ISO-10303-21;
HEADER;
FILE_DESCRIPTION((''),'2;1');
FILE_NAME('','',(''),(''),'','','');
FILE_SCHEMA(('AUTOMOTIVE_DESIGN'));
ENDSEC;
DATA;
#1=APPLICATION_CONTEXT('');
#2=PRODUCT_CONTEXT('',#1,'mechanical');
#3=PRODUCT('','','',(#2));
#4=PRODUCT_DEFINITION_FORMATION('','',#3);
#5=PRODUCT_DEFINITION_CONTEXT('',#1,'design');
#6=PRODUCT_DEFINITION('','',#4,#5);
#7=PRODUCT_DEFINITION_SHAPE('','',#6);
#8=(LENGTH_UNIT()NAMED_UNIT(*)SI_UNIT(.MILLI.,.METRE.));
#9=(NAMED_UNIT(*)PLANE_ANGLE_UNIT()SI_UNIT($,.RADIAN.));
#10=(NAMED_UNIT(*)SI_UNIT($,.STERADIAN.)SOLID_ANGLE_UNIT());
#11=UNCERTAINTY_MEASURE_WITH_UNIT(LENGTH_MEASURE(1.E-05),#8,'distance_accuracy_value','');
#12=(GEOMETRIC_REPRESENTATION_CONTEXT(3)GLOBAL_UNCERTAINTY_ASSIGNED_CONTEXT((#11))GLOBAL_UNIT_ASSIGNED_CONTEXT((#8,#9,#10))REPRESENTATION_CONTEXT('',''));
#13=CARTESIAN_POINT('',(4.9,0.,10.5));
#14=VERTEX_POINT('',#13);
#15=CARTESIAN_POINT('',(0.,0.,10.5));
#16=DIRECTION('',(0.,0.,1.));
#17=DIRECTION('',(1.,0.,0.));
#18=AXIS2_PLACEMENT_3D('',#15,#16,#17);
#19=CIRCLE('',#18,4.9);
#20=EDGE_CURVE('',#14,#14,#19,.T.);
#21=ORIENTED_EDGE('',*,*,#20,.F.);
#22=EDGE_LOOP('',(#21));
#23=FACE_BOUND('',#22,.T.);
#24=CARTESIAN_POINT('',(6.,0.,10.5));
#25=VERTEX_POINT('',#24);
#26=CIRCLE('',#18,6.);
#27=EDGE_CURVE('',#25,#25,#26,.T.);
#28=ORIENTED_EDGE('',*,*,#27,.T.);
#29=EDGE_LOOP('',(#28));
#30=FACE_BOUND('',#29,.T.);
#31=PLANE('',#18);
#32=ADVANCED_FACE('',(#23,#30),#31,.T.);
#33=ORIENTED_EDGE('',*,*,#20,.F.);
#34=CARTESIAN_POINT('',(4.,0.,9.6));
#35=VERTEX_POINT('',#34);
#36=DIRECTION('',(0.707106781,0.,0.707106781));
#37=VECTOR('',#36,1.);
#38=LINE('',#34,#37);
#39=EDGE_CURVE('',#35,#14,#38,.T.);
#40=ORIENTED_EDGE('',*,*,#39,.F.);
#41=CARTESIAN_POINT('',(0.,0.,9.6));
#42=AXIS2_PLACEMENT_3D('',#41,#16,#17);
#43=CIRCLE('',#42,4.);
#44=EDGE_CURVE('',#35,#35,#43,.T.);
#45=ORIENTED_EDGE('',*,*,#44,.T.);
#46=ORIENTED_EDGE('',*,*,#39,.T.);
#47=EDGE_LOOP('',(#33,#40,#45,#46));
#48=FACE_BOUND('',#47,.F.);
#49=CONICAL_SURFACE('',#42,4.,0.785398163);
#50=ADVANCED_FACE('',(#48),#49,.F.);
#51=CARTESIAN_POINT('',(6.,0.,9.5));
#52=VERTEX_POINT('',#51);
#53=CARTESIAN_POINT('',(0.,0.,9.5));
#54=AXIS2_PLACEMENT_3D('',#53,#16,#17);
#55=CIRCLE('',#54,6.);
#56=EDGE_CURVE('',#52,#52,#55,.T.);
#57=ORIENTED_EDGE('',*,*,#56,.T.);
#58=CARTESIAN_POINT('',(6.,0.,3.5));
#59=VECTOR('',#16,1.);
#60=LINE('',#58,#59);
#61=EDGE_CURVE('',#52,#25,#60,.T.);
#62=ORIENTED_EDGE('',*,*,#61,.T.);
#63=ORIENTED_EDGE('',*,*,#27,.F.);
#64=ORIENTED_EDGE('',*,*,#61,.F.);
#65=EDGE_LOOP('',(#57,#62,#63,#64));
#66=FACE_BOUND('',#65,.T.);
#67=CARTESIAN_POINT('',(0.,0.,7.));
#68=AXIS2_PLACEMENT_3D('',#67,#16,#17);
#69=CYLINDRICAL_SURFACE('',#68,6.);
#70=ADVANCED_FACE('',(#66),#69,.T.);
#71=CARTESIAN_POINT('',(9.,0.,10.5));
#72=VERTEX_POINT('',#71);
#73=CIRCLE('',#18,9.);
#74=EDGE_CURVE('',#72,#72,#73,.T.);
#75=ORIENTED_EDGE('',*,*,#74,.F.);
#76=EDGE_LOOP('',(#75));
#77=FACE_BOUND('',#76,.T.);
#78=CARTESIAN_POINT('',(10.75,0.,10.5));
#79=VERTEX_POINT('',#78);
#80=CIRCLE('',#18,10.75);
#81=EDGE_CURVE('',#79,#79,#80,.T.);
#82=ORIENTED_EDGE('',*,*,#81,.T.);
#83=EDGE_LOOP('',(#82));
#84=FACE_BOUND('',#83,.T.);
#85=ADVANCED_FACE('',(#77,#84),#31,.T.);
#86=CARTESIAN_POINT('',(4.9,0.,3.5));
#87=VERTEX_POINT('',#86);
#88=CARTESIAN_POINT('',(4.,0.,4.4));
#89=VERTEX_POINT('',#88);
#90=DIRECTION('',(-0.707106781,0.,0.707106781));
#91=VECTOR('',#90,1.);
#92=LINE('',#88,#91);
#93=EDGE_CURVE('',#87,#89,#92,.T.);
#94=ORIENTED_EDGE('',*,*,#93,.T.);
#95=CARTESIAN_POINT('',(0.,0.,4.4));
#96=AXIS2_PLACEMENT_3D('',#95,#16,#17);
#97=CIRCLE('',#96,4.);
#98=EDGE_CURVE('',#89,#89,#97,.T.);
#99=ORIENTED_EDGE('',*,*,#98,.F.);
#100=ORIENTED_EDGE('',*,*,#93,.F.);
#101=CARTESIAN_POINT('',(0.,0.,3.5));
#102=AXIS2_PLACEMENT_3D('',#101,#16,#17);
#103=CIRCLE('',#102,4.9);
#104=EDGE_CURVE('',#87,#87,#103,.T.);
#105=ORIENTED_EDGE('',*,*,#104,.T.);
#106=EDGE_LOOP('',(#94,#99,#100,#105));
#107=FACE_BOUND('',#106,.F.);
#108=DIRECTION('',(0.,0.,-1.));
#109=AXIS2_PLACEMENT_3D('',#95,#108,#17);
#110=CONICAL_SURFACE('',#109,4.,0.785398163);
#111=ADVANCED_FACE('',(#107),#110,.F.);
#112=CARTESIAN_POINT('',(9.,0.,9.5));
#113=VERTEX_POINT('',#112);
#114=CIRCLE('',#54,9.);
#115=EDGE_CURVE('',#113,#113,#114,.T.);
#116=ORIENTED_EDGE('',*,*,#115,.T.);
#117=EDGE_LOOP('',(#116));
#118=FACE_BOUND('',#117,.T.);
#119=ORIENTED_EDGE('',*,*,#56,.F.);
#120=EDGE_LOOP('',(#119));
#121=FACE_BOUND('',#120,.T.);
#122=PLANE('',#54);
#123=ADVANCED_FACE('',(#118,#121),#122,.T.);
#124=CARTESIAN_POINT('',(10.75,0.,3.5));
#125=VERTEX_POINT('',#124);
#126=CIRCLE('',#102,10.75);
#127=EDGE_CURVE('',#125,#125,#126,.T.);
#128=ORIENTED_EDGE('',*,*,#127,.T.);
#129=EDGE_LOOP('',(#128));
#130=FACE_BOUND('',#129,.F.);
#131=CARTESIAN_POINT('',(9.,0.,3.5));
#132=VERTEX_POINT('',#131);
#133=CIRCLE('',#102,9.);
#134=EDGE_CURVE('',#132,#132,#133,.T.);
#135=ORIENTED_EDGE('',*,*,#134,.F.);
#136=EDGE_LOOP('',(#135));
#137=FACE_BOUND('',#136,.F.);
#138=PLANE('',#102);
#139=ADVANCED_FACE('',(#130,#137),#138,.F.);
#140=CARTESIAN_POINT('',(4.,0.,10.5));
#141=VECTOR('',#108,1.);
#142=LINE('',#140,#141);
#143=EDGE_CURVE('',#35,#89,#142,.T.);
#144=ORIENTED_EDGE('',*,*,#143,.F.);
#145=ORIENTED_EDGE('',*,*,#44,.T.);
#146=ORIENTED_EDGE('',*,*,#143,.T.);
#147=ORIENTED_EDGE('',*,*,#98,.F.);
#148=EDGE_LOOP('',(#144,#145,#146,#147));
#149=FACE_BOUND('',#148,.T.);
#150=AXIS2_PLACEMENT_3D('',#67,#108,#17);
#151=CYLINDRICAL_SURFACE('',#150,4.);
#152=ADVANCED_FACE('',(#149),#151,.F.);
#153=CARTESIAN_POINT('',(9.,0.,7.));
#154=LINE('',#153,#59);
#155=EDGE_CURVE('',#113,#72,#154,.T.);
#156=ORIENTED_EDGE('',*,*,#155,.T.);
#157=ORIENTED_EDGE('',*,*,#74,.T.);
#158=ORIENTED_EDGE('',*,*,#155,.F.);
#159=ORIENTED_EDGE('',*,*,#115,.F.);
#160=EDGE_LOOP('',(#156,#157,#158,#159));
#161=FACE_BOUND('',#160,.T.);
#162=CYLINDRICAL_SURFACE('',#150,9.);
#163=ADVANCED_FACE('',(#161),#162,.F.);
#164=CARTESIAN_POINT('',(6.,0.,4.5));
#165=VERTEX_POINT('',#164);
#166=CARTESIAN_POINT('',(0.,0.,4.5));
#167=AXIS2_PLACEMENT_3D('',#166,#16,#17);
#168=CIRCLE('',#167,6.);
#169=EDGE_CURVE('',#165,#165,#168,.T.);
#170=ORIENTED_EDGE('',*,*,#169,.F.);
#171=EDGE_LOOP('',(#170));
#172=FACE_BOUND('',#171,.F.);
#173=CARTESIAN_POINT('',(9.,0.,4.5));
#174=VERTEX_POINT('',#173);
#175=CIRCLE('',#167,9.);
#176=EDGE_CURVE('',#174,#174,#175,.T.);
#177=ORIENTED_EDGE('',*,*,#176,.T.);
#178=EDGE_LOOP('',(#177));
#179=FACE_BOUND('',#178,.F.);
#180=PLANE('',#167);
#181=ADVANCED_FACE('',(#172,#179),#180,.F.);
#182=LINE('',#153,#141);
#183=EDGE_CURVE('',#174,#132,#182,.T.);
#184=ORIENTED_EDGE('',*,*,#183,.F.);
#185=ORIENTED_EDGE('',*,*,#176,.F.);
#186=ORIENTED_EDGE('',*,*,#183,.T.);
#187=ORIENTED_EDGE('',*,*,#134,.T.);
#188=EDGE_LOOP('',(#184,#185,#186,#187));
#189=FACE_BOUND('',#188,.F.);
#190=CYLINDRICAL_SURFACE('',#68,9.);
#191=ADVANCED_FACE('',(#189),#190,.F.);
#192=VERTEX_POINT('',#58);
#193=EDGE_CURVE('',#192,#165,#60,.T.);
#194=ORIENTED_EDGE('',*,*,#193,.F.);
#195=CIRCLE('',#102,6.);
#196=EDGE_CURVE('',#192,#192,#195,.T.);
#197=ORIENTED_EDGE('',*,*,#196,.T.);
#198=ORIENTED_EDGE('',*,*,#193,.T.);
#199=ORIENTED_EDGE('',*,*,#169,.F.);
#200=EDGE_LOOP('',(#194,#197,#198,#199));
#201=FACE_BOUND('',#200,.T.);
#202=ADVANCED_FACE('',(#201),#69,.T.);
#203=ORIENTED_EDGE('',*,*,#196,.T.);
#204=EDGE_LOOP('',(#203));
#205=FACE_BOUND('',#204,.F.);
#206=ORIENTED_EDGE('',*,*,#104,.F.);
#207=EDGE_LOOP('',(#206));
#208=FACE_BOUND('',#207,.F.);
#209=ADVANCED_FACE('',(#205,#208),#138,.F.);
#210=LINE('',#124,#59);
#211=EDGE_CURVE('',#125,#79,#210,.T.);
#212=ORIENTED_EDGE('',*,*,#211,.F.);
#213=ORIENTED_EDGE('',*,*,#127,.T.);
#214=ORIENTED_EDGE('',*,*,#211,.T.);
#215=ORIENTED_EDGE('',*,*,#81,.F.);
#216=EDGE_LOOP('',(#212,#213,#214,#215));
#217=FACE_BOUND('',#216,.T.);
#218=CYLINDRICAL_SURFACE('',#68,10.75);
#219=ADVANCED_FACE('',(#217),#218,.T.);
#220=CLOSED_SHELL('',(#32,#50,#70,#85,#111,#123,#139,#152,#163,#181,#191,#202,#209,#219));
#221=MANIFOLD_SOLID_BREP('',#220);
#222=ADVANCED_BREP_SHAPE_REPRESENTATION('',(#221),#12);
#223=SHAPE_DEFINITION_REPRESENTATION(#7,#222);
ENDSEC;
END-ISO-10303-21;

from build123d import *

# Parameters (mm, degrees)
F0_R     = 9
F0_R_2   = 6
F1_DEPTH = 2.5
F0_R_3   = 10.75
F0_R_4   = 4
F2_DEPTH = 3.5
F4_SIZE  = 0.9


with BuildPart() as f1:
    # F0 (on Top) → F1 (new body, symmetric)
    with BuildSketch(Plane.XY):
        Circle(F0_R)
        Circle(F0_R_2, mode=Mode.SUBTRACT)
    extrude(amount=F1_DEPTH, both=True)

    # F0 (on Top) → F2 (join, symmetric)
    with BuildSketch(Plane.XY):
        Circle(F0_R_3)
        Circle(F0_R, mode=Mode.SUBTRACT)
        Circle(F0_R_2)
        Circle(F0_R_4, mode=Mode.SUBTRACT)
    extrude(amount=F2_DEPTH, both=True)


with BuildPart() as f1_1:
    # F3: moved
    add(f1.part.moved(Location((0, 0, 4.5))))

    # F4
    f4_edges = [f1_1.edges().sort_by_distance(p)[0] for p in [
        (-4, 0, 8),
        (-4, 0, 1),
    ]]
    chamfer(f4_edges, length=F4_SIZE)


with BuildPart() as f1_2:
    # F5: moved
    add(f1_1.part.moved(Location((0, 0, 2.5))))


solid = f1_2.part
